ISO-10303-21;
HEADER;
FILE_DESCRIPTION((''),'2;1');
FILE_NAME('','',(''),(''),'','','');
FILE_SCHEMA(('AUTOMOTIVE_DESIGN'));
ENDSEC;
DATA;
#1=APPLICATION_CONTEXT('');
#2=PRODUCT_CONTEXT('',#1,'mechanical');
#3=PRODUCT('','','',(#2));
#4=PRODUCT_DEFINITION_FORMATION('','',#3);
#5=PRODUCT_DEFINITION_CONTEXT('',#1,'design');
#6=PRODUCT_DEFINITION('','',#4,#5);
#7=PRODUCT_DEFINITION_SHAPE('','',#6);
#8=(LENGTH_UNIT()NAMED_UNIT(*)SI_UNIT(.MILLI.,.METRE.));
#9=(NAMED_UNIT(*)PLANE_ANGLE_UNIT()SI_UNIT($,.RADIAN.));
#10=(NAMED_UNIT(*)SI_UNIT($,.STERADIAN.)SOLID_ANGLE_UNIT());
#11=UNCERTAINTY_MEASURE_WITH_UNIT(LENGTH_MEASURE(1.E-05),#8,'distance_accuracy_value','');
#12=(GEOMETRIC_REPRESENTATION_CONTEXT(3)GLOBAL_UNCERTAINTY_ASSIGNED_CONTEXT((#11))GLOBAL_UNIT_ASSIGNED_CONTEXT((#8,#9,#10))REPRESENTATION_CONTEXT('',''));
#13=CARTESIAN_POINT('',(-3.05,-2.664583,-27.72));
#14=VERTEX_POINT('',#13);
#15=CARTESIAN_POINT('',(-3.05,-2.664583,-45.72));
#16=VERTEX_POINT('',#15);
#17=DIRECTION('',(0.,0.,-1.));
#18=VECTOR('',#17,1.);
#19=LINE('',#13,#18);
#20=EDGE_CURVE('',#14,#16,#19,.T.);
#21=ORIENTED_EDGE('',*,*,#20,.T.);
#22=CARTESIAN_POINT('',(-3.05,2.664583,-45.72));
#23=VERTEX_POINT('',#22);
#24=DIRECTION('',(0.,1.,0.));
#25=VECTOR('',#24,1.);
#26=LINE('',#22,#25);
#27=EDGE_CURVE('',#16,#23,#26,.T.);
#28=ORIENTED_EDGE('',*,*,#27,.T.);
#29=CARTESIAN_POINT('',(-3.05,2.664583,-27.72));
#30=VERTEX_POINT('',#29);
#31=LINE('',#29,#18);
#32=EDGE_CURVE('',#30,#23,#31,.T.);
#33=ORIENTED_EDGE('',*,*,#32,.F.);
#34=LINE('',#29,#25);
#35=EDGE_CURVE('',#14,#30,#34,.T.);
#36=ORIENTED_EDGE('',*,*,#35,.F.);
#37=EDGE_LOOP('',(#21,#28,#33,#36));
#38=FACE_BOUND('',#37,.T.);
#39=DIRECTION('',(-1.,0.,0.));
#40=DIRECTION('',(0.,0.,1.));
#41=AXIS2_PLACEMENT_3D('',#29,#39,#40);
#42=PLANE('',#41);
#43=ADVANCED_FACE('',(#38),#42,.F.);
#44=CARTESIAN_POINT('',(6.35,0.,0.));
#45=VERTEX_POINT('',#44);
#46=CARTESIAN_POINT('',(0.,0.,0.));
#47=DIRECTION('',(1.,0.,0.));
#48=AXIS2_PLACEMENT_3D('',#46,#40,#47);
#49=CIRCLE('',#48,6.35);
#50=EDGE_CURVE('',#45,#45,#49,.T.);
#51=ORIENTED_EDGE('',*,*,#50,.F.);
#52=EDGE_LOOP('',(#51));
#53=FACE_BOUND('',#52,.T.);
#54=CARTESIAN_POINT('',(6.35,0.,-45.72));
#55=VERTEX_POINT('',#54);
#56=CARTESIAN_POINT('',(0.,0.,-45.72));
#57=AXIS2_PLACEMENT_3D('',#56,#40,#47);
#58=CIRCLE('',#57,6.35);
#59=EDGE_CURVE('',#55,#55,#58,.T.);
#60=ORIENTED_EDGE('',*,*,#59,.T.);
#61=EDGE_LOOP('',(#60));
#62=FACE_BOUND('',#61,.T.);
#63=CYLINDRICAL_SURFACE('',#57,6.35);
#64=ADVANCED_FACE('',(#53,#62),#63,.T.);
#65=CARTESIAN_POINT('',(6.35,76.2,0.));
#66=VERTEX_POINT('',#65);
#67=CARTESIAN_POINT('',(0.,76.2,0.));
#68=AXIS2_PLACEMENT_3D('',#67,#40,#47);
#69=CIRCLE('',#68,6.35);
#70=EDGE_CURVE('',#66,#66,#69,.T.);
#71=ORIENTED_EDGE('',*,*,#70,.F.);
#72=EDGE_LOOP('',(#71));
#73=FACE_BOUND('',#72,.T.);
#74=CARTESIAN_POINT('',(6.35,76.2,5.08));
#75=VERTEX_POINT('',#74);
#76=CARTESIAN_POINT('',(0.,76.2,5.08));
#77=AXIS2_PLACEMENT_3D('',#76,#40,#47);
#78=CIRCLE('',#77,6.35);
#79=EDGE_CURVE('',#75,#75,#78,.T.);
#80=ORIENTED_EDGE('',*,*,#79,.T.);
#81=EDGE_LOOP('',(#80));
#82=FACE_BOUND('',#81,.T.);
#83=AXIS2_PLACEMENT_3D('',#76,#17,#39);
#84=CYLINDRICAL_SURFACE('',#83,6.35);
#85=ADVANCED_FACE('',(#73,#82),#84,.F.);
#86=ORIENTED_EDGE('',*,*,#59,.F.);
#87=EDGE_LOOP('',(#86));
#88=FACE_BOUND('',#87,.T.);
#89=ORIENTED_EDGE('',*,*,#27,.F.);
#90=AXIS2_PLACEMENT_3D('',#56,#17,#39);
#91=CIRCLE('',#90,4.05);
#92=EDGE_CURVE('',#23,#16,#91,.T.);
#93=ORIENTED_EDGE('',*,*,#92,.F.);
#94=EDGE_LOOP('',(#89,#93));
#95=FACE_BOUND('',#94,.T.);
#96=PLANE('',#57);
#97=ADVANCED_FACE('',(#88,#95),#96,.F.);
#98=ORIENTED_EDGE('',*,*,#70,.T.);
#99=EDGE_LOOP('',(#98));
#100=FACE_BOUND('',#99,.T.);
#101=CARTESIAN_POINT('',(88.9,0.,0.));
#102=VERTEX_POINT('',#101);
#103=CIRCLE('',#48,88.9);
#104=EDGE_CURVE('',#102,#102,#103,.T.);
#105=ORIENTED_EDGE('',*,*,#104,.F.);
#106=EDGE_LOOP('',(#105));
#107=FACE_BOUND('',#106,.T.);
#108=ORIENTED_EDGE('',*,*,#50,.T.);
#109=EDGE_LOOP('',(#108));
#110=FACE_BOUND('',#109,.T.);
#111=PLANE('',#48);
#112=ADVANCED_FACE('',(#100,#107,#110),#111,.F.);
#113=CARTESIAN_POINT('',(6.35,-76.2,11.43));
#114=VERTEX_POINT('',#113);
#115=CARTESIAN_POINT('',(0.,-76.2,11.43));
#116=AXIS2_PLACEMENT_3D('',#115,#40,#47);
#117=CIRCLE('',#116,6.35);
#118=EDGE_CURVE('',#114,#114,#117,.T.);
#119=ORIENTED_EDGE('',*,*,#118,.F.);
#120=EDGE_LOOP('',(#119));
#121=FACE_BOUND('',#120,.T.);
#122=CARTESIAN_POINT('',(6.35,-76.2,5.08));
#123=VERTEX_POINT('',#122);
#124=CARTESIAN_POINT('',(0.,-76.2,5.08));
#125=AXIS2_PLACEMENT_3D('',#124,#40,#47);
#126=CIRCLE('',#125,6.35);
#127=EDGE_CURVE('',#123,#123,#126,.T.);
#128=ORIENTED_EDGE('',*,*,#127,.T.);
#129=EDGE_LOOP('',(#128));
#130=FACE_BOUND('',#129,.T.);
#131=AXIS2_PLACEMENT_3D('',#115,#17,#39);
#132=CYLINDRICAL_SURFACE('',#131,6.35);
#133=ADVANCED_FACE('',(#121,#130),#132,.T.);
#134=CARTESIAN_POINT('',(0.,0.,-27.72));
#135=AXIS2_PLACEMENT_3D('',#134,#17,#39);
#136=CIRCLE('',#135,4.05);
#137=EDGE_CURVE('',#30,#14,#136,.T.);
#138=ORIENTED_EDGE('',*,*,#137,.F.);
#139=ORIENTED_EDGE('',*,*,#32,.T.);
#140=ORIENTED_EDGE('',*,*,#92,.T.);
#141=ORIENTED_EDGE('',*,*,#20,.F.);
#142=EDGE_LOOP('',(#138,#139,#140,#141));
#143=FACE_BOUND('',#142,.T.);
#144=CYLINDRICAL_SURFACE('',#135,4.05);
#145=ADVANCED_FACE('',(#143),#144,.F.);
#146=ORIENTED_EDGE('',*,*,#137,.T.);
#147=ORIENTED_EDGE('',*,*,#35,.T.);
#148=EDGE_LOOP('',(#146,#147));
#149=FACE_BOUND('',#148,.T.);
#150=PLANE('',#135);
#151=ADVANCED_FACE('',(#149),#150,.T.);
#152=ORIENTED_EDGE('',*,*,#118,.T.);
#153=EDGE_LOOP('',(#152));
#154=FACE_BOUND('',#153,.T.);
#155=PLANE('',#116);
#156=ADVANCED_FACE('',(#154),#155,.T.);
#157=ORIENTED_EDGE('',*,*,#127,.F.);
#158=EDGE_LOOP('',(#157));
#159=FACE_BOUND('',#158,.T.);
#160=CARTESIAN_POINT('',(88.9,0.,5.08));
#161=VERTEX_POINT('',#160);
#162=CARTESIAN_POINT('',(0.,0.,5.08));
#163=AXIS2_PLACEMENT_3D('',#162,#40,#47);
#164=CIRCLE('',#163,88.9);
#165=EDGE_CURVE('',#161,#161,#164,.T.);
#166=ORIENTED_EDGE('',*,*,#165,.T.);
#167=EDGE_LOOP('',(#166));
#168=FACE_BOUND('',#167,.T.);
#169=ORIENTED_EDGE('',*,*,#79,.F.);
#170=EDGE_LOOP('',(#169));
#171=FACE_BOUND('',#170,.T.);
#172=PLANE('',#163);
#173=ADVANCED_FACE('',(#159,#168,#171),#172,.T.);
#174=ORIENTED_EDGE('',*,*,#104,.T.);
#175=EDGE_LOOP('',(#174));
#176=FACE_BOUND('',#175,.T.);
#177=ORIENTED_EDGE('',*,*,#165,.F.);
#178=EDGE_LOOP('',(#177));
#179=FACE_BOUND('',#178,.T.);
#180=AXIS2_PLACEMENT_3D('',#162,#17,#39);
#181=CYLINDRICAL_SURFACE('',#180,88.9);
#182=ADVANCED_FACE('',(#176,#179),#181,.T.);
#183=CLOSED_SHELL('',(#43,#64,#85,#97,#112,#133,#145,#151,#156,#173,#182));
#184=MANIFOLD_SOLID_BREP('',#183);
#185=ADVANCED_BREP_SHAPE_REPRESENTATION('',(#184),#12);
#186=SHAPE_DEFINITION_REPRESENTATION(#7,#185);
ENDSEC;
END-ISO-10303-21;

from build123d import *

# Parameters (mm, degrees)
SKETCH1_R           = 88.9
SKETCH1_R_2         = 6
SKETCH1_R_3         = 6.35
BOSS_EXTRUDE1_DEPTH = 5.08
SKETCH2_R           = 6.35
BOSS_EXTRUDE2_DEPTH = 11.43
SKETCH3_R           = 6.35
BOSS_EXTRUDE3_DEPTH = 50.8
CUT_EXTRUDE1_DEPTH  = 18


with BuildPart() as part:
    # Sketch1 → Boss-Extrude1 (new body)
    with BuildSketch(Plane.XY):
        Circle(SKETCH1_R)
        Circle(SKETCH1_R_2, mode=Mode.SUBTRACT)
        with Locations((0, -76.2)):
            Circle(SKETCH1_R_3, mode=Mode.SUBTRACT)
        with Locations((0, 76.2)):
            Circle(SKETCH1_R_3, mode=Mode.SUBTRACT)
    extrude(amount=BOSS_EXTRUDE1_DEPTH)

    # Sketch2 → Boss-Extrude2 (add)
    with BuildSketch(Plane.XY):
        with Locations((0, -76.2)):
            Circle(SKETCH2_R)
    extrude(amount=BOSS_EXTRUDE2_DEPTH)

    # Sketch3 → Boss-Extrude3 (add)
    with BuildSketch(Plane.XY.offset(5.08)):
        Circle(SKETCH3_R)
    extrude(amount=-BOSS_EXTRUDE3_DEPTH)

    # Sketch4 → Cut-Extrude1 (cut)
    with BuildSketch(Plane(origin=(0, 0, -45.72), x_dir=(-1, 0, 0), z_dir=(0, 0, -1))):
        with BuildLine():
            Line((3.05, 2.664582519), (3.05, -2.664582519))
            ThreePointArc((3.05, -2.664582519), (-4.05, 0), (3.05, 2.664582519))
        make_face()
    extrude(amount=-CUT_EXTRUDE1_DEPTH, mode=Mode.SUBTRACT)


solid = part.part
